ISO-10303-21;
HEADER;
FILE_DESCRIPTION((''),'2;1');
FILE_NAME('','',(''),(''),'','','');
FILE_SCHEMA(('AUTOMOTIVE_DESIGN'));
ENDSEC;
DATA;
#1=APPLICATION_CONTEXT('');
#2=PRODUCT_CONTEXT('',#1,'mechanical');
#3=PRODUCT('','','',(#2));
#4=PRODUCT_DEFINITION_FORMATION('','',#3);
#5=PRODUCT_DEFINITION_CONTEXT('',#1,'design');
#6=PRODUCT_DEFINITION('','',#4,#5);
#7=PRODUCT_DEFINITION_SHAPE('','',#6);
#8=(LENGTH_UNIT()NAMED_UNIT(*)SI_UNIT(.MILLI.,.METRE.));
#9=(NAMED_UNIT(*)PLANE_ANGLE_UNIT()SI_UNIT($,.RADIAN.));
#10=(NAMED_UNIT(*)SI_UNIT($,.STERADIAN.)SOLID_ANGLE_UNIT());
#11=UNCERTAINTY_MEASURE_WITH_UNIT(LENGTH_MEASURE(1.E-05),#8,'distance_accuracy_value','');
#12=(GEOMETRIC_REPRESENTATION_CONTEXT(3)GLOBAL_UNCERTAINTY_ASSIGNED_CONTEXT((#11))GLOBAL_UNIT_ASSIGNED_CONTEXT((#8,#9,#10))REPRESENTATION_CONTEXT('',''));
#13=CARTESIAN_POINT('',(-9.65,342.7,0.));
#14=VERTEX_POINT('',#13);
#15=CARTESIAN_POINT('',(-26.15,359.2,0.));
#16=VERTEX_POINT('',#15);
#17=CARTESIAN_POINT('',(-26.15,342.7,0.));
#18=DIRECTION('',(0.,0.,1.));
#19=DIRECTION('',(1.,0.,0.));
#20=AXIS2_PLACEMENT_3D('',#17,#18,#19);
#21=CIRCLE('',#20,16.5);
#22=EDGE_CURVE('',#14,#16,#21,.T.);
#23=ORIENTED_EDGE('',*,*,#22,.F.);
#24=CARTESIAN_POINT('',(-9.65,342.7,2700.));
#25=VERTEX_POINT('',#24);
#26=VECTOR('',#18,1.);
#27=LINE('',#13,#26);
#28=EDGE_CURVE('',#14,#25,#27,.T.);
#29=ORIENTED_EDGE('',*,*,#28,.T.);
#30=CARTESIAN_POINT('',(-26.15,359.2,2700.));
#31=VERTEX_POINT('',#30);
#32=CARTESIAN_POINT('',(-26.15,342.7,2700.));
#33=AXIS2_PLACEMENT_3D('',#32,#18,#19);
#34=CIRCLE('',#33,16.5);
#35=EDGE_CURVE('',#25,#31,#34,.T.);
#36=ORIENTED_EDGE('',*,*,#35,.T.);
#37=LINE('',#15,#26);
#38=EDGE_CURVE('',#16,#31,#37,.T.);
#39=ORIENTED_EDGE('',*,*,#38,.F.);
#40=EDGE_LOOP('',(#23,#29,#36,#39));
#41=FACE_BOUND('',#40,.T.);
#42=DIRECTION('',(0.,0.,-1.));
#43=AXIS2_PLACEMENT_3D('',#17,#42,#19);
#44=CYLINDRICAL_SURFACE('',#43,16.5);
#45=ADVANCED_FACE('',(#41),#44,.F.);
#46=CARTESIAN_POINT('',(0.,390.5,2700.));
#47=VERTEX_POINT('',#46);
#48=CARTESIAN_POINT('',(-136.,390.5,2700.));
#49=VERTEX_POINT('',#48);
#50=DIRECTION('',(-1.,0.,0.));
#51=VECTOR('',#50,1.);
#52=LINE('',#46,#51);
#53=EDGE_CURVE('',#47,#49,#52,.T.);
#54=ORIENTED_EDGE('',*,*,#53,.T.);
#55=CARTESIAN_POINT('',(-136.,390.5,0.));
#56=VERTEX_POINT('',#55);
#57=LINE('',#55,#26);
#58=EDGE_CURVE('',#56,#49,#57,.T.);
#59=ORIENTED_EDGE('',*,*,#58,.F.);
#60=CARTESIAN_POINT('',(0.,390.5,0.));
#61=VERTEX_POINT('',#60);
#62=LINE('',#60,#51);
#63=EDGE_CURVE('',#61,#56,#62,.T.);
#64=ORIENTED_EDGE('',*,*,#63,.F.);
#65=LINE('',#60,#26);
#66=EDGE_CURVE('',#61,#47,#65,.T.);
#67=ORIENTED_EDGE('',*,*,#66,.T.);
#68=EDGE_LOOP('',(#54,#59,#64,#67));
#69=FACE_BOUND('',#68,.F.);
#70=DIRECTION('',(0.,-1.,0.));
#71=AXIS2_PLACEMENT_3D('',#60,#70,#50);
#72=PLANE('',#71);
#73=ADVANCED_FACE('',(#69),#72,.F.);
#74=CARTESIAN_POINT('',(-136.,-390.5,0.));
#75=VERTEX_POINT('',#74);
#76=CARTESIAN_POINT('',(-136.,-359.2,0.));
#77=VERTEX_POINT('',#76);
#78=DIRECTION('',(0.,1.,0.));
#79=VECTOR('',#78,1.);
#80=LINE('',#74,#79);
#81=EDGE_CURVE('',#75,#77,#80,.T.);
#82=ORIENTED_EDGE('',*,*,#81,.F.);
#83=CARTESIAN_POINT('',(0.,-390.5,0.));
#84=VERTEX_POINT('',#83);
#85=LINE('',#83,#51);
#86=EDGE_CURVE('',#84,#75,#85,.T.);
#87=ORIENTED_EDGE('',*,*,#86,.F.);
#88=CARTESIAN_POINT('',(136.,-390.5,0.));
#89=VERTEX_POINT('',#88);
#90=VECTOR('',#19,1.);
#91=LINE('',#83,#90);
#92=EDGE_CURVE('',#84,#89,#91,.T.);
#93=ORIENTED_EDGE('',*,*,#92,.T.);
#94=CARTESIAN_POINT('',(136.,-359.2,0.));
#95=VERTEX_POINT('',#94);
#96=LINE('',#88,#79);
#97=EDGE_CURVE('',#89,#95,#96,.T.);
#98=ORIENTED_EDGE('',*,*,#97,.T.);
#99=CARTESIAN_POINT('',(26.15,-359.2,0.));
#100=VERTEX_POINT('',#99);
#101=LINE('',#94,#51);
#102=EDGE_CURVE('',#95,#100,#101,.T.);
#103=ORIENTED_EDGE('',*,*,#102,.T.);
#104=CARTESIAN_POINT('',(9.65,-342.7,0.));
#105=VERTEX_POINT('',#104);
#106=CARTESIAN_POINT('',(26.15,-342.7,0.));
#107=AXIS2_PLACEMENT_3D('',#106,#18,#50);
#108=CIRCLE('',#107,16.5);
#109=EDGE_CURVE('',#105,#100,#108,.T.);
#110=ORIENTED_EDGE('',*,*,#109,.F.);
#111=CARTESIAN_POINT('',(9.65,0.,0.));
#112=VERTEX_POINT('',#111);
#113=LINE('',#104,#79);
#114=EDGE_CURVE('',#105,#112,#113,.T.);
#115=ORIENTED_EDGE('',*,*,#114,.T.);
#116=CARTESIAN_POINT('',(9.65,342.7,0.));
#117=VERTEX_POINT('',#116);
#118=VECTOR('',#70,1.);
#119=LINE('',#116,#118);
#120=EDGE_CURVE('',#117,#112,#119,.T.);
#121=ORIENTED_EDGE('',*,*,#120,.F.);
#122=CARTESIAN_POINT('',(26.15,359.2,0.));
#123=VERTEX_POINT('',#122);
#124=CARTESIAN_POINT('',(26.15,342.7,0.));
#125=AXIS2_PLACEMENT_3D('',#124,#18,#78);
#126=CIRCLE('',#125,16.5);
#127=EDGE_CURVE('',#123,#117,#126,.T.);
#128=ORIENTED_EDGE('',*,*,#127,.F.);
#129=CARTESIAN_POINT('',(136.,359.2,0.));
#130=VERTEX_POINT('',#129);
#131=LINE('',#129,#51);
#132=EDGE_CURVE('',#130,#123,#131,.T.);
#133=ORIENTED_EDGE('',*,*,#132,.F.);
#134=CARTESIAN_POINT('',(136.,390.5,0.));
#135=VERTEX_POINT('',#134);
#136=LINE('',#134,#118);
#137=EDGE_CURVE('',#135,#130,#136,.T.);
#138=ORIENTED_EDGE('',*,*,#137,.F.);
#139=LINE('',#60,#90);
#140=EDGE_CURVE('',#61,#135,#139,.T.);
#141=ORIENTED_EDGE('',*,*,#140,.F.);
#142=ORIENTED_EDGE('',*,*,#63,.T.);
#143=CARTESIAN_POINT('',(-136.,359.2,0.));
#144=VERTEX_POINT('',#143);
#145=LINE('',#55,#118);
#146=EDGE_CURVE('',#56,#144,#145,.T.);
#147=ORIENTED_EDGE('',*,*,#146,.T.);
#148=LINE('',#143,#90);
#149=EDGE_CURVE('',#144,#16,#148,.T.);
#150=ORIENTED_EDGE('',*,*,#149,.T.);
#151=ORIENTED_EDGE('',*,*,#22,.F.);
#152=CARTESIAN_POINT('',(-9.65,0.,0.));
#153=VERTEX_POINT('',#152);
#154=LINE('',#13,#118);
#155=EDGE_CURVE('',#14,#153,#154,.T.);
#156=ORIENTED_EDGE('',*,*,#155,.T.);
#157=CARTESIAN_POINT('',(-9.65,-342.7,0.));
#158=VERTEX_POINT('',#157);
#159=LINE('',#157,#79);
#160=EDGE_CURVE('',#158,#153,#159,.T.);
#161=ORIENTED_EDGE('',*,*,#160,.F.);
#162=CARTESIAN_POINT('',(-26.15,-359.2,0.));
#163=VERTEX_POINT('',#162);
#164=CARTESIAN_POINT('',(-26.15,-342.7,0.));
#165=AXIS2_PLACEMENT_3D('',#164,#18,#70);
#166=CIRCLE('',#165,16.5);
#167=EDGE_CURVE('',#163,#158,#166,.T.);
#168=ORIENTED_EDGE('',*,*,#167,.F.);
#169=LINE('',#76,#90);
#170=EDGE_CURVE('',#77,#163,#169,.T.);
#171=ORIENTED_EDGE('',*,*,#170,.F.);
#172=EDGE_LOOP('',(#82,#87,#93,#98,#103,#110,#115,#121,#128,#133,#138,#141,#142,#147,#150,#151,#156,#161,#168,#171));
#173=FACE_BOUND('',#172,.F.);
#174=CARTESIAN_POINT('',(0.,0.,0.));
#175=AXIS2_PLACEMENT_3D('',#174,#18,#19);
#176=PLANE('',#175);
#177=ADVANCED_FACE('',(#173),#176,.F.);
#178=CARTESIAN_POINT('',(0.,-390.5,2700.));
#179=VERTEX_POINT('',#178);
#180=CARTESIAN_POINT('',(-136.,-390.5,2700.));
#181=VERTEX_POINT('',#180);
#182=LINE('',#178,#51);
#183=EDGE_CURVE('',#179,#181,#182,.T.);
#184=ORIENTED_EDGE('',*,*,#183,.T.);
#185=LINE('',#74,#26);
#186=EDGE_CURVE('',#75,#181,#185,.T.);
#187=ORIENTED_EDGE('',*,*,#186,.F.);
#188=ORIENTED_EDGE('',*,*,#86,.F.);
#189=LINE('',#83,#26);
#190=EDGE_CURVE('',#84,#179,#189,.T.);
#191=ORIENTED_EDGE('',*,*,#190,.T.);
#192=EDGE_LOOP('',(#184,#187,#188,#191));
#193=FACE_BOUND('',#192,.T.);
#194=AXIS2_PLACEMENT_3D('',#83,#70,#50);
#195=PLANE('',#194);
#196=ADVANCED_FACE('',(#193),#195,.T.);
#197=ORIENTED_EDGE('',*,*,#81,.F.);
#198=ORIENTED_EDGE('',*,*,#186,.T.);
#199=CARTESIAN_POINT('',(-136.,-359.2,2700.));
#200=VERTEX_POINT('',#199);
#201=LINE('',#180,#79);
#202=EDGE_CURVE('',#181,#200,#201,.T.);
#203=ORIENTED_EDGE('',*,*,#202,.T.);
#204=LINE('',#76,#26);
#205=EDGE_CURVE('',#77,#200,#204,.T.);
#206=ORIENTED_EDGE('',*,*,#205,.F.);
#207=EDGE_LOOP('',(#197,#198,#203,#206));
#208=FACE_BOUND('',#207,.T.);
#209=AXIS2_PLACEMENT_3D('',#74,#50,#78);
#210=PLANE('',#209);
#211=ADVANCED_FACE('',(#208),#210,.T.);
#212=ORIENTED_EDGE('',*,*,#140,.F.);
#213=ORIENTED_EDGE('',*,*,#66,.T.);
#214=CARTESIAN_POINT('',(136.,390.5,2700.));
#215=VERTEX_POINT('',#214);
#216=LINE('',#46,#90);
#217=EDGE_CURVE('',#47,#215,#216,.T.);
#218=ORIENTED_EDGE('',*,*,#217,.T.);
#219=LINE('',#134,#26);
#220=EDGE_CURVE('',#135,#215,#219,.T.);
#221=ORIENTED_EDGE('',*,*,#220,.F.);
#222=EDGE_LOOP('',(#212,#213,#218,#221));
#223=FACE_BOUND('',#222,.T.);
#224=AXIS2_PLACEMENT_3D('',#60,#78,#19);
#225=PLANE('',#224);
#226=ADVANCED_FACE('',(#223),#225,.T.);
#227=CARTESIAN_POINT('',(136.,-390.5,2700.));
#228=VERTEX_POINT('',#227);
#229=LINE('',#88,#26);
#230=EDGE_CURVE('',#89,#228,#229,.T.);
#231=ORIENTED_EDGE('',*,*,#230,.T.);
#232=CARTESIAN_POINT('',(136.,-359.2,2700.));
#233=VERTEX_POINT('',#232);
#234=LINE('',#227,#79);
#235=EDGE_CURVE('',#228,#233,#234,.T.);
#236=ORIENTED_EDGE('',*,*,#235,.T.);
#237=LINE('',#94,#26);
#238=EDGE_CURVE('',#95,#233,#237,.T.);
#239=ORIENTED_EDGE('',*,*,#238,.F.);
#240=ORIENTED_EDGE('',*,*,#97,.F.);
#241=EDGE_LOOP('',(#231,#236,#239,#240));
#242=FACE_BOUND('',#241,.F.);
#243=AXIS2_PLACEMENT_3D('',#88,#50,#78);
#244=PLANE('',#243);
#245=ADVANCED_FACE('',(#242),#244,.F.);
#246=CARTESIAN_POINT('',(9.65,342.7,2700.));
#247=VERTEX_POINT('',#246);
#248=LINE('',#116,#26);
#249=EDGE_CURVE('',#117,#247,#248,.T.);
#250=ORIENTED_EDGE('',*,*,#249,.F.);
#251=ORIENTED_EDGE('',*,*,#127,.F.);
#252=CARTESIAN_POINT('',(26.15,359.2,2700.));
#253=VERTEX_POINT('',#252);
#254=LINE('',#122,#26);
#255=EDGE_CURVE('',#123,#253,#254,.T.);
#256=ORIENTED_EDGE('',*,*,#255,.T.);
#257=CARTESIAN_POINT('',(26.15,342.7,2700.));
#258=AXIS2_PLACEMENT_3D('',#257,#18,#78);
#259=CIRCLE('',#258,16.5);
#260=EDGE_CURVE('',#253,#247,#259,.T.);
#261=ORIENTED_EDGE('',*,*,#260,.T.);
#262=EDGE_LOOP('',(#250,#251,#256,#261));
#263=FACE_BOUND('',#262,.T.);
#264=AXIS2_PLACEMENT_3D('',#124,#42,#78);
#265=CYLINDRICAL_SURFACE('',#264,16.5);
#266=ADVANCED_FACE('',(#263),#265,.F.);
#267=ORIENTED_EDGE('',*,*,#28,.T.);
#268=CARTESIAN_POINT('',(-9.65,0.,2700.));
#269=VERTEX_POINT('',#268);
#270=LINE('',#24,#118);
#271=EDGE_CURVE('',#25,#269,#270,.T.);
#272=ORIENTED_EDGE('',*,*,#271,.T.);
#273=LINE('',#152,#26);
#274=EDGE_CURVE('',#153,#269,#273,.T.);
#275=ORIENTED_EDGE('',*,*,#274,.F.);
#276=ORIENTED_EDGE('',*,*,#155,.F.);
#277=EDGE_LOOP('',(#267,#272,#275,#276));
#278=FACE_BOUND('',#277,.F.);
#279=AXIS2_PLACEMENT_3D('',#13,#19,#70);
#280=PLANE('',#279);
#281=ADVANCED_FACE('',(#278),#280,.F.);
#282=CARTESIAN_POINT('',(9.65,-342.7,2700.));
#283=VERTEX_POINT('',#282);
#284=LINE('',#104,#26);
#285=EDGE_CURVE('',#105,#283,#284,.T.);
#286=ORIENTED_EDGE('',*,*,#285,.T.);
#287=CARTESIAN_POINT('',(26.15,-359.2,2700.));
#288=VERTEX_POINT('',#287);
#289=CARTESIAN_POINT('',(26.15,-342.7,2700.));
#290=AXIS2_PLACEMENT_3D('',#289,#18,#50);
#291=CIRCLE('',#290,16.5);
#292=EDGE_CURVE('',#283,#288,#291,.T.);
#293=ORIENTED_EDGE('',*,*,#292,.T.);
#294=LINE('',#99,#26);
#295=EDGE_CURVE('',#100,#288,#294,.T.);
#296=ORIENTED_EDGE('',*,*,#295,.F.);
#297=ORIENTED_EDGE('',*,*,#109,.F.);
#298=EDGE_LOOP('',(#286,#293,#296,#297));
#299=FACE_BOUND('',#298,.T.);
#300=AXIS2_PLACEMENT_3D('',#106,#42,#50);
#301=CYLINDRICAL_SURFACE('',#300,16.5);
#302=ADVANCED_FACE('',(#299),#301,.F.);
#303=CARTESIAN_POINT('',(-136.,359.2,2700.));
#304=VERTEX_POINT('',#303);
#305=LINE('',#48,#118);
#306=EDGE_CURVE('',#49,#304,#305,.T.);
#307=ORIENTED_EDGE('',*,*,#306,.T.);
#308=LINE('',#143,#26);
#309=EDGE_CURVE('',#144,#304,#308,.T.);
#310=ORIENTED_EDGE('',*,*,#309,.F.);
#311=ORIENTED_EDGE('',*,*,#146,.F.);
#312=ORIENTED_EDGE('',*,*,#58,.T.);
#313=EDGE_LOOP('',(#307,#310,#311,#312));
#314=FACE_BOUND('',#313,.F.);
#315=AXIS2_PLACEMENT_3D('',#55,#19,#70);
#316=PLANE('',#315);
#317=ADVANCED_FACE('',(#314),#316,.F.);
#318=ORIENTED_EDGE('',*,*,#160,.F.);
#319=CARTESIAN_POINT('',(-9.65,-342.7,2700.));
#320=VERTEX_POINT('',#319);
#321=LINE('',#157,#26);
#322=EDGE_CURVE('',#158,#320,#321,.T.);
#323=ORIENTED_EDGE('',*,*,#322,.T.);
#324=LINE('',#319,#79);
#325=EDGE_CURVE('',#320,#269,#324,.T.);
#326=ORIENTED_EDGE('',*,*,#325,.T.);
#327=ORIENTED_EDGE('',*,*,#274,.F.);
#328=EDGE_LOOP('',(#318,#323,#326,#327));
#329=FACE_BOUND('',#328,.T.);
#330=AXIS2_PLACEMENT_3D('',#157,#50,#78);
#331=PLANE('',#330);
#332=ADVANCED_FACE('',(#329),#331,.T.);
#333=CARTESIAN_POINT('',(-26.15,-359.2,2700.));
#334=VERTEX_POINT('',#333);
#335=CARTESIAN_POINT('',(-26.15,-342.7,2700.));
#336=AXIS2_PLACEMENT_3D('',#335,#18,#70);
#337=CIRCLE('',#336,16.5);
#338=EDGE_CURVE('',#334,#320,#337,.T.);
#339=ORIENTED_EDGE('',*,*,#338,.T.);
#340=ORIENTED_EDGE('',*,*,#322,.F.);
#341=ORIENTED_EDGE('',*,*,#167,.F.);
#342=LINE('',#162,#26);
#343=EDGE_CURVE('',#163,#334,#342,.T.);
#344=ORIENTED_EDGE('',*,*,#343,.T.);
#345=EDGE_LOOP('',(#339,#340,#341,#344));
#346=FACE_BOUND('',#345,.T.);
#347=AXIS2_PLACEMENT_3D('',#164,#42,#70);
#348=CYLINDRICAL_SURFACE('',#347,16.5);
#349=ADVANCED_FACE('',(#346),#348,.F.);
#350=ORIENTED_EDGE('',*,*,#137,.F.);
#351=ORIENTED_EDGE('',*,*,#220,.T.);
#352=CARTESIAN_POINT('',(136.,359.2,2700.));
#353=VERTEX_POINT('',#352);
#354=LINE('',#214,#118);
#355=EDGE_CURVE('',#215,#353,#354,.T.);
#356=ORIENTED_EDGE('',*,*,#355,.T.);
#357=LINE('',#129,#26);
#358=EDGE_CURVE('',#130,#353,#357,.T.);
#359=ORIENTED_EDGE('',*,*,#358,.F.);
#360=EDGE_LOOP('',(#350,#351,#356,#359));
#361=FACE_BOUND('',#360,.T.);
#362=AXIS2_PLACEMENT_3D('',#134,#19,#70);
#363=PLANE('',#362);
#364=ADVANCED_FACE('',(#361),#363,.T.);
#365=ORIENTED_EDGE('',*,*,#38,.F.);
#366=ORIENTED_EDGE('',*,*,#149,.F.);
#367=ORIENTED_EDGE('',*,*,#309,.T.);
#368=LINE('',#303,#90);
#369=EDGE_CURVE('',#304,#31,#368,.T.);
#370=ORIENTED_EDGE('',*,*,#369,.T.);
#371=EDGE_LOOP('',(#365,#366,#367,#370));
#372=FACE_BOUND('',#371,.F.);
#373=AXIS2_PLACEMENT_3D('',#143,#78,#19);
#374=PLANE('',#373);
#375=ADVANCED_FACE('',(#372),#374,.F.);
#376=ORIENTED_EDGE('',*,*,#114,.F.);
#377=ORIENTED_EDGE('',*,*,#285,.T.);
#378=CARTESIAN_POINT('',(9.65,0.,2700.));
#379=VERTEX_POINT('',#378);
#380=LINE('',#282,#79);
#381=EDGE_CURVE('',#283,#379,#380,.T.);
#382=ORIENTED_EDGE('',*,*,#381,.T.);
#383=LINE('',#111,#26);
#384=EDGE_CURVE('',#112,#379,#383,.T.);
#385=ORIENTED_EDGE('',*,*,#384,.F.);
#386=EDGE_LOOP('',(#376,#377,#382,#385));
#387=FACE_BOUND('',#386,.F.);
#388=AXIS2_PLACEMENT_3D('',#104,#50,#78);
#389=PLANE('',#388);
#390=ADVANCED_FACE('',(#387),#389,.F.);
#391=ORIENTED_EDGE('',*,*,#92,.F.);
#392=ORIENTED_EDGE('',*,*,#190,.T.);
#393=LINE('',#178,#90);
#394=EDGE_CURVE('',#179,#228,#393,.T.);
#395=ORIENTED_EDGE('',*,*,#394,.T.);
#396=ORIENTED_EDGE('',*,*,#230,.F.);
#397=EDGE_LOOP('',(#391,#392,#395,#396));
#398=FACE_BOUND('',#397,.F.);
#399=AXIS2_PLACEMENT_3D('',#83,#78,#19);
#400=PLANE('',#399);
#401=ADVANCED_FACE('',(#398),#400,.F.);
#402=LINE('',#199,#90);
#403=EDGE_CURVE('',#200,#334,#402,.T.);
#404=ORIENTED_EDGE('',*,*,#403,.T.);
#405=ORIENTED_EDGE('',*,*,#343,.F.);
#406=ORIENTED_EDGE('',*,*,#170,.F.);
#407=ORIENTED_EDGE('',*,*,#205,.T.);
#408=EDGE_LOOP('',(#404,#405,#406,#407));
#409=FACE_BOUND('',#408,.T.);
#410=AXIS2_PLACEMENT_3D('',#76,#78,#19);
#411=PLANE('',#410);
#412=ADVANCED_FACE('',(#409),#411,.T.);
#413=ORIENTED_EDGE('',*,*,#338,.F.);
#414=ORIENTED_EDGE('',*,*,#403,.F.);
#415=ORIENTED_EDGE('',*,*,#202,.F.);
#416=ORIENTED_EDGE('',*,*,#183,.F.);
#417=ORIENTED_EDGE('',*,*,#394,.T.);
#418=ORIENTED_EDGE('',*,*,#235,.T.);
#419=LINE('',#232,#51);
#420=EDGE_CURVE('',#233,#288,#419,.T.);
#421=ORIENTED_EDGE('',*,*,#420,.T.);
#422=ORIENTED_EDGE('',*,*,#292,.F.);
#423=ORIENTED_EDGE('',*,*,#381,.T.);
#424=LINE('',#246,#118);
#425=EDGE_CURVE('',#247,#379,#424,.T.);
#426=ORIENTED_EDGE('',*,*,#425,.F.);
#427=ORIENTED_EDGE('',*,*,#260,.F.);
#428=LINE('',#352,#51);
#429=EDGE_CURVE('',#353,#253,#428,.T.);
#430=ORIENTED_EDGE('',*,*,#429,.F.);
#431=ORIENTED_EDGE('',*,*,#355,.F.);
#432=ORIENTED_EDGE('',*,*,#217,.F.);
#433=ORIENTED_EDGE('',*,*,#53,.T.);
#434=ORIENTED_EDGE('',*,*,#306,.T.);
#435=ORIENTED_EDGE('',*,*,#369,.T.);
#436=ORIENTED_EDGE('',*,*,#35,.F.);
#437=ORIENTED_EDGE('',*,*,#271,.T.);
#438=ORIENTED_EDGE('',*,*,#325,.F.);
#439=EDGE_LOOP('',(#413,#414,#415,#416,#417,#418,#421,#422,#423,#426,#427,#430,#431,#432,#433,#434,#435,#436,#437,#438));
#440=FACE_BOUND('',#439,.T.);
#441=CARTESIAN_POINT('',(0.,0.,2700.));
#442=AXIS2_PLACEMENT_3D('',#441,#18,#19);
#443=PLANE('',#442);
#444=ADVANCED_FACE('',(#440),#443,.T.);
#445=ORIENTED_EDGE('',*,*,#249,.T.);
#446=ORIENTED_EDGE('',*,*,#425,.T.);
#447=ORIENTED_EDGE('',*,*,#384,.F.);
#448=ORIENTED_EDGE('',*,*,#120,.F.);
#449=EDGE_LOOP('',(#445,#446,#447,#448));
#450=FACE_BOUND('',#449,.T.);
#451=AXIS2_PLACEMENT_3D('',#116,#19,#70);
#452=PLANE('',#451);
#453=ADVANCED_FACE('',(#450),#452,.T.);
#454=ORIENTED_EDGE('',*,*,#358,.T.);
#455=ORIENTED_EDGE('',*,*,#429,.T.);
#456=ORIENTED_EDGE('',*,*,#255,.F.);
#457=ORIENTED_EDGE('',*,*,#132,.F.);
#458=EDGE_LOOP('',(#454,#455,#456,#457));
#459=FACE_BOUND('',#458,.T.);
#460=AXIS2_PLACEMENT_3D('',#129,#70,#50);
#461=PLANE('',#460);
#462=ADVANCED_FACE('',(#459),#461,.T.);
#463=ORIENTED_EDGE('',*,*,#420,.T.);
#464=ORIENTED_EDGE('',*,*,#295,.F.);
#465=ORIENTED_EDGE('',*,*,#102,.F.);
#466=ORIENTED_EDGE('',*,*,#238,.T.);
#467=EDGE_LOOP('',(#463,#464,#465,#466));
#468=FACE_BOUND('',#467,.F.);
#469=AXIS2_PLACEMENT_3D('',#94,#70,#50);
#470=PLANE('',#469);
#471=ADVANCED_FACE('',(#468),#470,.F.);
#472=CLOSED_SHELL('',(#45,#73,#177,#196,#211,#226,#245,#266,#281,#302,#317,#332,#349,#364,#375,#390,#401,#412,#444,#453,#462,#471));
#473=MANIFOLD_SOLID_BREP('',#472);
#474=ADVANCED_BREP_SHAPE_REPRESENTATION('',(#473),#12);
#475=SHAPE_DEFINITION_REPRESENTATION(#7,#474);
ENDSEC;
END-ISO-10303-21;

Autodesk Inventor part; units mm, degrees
ref_plane "YZ Plane" through (0, 0, 0) normal (1, 0, 0) x (0, 1, 0)
ref_plane "Start plane" through (0, 0, 0) normal (0, 0, 1) x (1, 0, 0)
ref_plane "End plane" through (0, 0, 2700) normal (0, 0, 1) x (1, 0, 0)
sketch "Sketch" plane through (0, 0, 0) normal (0, 0, 1) x (1, 0, 0)
  line L0 (-136, -390.5) -> (-136, -359.2)
  line L1 (-136, -359.2) -> (-26.15, -359.2)
  line L2 (-9.65, -342.7) -> (-9.65, 0)
  line L3 (-9.65, 0) -> (0, 0) construction
  line L4 (0, 0) -> (0, -390.5) construction
  line L5 (0, -390.5) -> (-136, -390.5)
  line L6 (-60, 0) -> (80, 0) construction
  line L7 (0, -60) -> (0, 80) construction
  line L8 (136, -390.5) -> (136, -359.2)
  line L9 (136, -359.2) -> (26.15, -359.2)
  line L10 (9.65, -342.7) -> (9.65, 0)
  line L11 (9.65, 0) -> (0, 0) construction
  line L12 (0, -390.5) -> (136, -390.5)
  line L13 (-136, 390.5) -> (-136, 359.2)
  line L14 (-136, 359.2) -> (-26.15, 359.2)
  line L15 (-9.65, 342.7) -> (-9.65, 0)
  line L16 (0, 390.5) -> (-136, 390.5)
  line L17 (136, 390.5) -> (136, 359.2)
  line L18 (136, 359.2) -> (26.15, 359.2)
  line L19 (0, 390.5) -> (136, 390.5)
  line L20 (9.65, 342.7) -> (9.65, 0)
  arc A0 (-9.65, 342.7) -> (-26.15, 359.2) centre (-26.15, 342.7) ccw
  arc A1 (26.15, 359.2) -> (9.65, 342.7) centre (26.15, 342.7) ccw
  arc A2 (9.65, -342.7) -> (26.15, -359.2) centre (26.15, -342.7) ccw
  arc A3 (-26.15, -359.2) -> (-9.65, -342.7) centre (-26.15, -342.7) ccw
  line L21 (0, 108) -> (0, -88) construction
  line L22 (-88, 0) -> (108, 0) construction
  point P0 (-9.65, -359.2)
  point P1 (9.65, -359.2)
  point P2 (-9.65, 359.2)
  point P3 (9.65, 359.2)
  dimension "d1" = 390.5
  dimension "d2" = 31.3
  dimension "d3" = 136
  dimension "d4" = 9.65
  dimension "d10" = 16.5
extrude "Body" add sketch "Sketch" along normal up to surface (2700 mm away) from surface at 0
sketch "Sketch4" plane through (0, 0, 0) normal (0, 0, 1) x (1, 0, 0)
  line L0 (0, 0) -> (10, 0)
ref_plane "Work Plane3" through (0, 0, 0) normal (0, -1, 0) x (1, 0, 0)
sketch "Sketch5" plane through (0, 0, 0) normal (0, -1, 0) x (1, 0, 0)
  line L0 (-2, 0) -> (12, 0) projected
  line L1 (-2, 2700) -> (12, 2700) projected
  dimension "d14" = 2700
equation "\"d1\" = 0.5 * G_H"
equation "\"d2\" = G_T1"
equation "\"d3\" = 0.5 * G_W"
equation "\"d4\" = 0.5 * G_T"
equation "\"d10\" = G_IR"
equation "\"d5\" = G_L"
equation "\"G_W\" = 272"
equation "\"G_H\" = 781"
equation "\"G_T\" = 19.3"
equation "\"G_T1\" = 31.3"
equation "\"G_IR\" = 16.5"
equation "\"G_L\" = d14"
equation "\"G_OFFSET_START\" = 0"
equation "\"G_OFFSET_END\" = 0"
properties part number "AS 3679-1990 - 760 UB - 244 - 2700" material "Steel, Mild"
